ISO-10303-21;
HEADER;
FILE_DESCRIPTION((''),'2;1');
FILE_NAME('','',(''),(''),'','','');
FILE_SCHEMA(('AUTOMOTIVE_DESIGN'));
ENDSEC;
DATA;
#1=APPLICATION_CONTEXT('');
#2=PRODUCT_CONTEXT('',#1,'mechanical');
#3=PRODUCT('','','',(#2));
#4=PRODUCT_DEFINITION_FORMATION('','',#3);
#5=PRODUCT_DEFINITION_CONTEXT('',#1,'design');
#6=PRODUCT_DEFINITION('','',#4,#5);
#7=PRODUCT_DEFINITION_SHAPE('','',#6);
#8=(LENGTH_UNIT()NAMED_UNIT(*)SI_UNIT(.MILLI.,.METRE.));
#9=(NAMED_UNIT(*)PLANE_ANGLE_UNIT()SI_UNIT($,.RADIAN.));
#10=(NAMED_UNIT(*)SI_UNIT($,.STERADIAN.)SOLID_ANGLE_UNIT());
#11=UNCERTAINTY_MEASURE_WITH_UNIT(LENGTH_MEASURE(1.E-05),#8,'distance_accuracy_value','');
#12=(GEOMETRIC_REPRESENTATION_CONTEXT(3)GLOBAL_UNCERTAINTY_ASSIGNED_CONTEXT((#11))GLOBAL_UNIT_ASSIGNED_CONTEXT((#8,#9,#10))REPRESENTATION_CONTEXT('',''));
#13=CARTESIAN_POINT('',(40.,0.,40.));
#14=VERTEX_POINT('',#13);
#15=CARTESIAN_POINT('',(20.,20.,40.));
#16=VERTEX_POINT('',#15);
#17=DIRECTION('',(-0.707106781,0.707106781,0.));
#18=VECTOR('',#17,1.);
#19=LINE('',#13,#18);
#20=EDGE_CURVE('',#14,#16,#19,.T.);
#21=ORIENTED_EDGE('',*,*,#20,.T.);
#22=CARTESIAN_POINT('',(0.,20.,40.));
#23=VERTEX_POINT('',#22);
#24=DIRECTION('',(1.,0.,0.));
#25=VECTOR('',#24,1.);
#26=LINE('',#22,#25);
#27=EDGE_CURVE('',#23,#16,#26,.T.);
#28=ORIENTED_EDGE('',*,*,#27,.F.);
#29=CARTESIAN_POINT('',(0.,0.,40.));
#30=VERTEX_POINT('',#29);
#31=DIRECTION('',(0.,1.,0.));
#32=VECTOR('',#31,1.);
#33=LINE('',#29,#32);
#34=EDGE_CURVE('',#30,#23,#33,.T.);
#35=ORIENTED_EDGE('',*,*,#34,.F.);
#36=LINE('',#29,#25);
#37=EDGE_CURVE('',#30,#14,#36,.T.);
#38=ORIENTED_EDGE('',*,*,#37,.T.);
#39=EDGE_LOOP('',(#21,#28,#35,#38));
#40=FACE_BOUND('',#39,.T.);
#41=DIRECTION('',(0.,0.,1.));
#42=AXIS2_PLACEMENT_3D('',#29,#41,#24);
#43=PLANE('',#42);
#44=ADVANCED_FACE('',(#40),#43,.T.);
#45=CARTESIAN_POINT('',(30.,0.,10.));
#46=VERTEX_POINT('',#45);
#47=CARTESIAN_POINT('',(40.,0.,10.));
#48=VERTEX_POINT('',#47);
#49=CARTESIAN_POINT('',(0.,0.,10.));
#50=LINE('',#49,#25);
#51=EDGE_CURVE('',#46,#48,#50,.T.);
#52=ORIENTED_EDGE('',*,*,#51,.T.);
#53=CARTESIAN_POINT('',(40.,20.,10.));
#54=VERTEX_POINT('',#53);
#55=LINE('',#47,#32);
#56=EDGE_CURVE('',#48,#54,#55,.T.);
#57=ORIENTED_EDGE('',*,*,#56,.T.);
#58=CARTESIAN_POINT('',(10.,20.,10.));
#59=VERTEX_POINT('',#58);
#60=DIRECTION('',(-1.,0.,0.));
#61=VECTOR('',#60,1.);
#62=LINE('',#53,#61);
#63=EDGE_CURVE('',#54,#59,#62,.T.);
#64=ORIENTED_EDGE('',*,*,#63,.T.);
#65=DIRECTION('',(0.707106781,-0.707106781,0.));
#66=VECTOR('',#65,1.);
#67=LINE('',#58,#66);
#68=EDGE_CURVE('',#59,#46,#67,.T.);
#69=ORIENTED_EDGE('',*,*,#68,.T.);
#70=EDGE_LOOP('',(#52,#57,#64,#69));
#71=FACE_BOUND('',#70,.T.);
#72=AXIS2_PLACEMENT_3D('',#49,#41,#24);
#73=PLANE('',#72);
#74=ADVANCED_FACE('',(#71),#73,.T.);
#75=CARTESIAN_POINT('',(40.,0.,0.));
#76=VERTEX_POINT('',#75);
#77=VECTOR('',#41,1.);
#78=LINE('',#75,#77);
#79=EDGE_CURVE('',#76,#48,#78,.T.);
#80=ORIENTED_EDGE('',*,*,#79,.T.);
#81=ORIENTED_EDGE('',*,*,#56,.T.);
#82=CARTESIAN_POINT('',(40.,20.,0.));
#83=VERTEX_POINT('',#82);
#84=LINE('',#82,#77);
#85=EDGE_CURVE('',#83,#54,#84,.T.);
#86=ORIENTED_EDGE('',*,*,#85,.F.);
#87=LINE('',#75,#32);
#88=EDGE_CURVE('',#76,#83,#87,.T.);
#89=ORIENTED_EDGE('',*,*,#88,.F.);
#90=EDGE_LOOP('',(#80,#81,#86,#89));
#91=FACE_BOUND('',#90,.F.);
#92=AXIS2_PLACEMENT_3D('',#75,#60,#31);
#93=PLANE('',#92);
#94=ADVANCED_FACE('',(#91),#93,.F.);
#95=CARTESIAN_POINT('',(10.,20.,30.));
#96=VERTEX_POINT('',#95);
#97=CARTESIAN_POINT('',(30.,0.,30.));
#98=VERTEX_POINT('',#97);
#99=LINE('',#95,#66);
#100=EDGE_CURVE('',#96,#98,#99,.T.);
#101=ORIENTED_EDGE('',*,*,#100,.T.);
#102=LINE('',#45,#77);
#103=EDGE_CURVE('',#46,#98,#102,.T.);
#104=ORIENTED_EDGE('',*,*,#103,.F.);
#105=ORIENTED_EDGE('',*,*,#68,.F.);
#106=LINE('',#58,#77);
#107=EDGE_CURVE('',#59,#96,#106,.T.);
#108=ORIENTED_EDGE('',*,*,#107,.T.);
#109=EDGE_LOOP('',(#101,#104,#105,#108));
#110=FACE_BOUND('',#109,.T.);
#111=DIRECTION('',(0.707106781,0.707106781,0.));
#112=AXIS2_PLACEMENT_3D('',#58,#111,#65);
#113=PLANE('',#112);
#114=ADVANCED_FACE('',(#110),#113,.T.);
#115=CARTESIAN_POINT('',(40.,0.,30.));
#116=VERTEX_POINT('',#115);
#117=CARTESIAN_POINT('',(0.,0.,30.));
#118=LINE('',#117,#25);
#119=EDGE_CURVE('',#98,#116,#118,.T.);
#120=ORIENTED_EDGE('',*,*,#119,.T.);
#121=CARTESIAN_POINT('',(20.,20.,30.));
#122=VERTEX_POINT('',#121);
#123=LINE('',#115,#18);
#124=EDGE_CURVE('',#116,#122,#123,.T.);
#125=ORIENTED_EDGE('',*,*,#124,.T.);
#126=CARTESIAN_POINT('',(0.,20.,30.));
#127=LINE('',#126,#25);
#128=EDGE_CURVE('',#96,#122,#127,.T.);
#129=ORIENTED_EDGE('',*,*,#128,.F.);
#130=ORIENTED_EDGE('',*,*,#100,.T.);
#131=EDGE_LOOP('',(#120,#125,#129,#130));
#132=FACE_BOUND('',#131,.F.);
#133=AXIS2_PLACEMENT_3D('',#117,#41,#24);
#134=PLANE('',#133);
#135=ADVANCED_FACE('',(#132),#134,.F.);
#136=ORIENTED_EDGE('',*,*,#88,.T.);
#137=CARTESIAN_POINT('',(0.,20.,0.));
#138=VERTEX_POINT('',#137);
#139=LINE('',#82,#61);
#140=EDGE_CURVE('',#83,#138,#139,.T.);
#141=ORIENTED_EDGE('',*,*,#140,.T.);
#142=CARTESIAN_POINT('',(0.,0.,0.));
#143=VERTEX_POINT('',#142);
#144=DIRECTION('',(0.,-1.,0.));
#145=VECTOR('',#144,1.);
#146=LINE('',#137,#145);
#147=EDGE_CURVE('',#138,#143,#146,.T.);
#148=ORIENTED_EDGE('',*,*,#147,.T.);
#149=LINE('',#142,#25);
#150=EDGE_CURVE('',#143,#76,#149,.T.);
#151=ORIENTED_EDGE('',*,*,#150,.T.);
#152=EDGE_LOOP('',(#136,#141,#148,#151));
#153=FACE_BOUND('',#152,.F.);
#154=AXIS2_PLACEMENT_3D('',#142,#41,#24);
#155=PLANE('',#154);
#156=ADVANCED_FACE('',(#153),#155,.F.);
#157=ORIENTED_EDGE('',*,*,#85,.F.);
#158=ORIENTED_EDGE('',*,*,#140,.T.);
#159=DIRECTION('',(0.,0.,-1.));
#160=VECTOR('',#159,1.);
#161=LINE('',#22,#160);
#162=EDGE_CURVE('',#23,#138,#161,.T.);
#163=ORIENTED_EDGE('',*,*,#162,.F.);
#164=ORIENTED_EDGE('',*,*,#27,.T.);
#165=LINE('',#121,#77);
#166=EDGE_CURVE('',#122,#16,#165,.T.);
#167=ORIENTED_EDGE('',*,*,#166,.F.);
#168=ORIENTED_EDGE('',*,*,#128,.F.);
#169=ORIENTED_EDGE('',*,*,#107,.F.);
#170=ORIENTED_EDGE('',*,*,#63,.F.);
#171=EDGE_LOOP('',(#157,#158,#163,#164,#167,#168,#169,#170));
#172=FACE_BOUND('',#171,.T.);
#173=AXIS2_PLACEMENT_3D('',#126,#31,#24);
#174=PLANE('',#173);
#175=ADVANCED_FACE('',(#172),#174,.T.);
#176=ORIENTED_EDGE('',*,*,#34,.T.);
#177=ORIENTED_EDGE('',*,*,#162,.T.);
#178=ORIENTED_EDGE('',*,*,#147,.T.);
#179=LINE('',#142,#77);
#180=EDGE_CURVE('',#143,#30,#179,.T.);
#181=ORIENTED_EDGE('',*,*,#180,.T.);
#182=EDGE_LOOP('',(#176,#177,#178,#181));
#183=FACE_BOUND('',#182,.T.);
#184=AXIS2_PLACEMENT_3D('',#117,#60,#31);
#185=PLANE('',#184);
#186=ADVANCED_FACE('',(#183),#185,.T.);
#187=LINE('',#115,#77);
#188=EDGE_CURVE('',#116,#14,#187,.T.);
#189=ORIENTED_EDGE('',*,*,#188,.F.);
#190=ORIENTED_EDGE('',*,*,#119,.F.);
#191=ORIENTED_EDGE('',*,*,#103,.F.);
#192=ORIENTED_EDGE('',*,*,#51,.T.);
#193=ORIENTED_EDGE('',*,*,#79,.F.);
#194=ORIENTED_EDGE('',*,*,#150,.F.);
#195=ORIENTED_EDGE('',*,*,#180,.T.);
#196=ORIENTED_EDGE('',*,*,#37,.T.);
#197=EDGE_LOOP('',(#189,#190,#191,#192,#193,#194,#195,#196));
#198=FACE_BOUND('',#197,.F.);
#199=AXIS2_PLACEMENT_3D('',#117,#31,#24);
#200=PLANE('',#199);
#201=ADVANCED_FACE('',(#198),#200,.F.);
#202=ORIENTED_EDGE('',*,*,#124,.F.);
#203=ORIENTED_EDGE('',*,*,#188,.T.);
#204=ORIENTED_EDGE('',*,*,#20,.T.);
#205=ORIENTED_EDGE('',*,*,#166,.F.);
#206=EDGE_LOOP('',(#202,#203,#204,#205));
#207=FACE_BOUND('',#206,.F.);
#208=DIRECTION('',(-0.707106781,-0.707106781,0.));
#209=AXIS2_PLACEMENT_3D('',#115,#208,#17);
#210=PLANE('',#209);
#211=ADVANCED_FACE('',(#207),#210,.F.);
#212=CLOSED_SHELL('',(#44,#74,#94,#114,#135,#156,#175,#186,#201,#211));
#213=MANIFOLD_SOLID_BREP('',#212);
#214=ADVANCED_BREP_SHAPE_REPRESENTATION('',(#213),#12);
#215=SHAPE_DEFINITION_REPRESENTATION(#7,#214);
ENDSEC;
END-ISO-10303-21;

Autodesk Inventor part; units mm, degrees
ref_plane "YZ Plane" through (0, 0, 0) normal (1, 0, 0) x (0, 1, 0)
ref_plane "XZ Plane" through (0, 0, 0) normal (0, 1, 0) x (-1, 0, 0)
ref_plane "XY Plane" through (0, 0, 0) normal (0, 0, 1) x (1, 0, 0)
sketch "草圖1" plane through (0, 0, 0) normal (0, 0, 1) x (1, 0, 0)
  line L0 (0, 0) -> (40, 0)
  line L1 (40, 0) -> (40, 20)
  line L2 (40, 20) -> (0, 20)
  line L3 (0, 20) -> (0, 0)
  dimension "d0" = 40
  dimension "d1" = 20
extrude "擠出1" add sketch "草圖1" along normal blind 10
sketch "草圖2" plane through (0, 0, 10) normal (0, 0, 1) x (1, 0, 0)
  line L0 (40, 20) -> (0, 20) construction
  line L1 (10, 20) -> (30, 0)
  line L2 (0, 0) -> (40, 0) construction
  line L3 (0, 0) -> (40, 0) projected
  line L4 (40, 0) -> (40, 20) projected
  line L5 (40, 20) -> (0, 20) projected
  line L6 (0, 20) -> (0, 0) projected
  line L7 (30, 0) -> (-0.2906, 0)
  line L8 (0, 20) -> (10, 20)
  dimension "d4" = 10
  dimension "d5" = 30
extrude "擠出2" add sketch "草圖2" along normal blind 20 contours L1 L3 L6 L5
sketch "草圖3" plane through (0, 0, 30) normal (0, 0, 1) x (1, 0, 0)
  line L0 (0, 0) -> (0, 20)
  line L1 (0, 20) -> (20, 20)
  line L2 (40, 20) -> (0, 20) projected
  line L3 (0, 0) -> (40, 0) projected
  line L4 (40, 0) -> (20, 20)
  line L5 (0, 0) -> (40, 0)
  line L6 (40, 0) -> (40, 20) projected
  dimension "d8" = 20
extrude "擠出3" add sketch "草圖3" along normal blind 10 contours L0 L1 L4 L3
properties part number "48 (22000.000 mm^3)"
